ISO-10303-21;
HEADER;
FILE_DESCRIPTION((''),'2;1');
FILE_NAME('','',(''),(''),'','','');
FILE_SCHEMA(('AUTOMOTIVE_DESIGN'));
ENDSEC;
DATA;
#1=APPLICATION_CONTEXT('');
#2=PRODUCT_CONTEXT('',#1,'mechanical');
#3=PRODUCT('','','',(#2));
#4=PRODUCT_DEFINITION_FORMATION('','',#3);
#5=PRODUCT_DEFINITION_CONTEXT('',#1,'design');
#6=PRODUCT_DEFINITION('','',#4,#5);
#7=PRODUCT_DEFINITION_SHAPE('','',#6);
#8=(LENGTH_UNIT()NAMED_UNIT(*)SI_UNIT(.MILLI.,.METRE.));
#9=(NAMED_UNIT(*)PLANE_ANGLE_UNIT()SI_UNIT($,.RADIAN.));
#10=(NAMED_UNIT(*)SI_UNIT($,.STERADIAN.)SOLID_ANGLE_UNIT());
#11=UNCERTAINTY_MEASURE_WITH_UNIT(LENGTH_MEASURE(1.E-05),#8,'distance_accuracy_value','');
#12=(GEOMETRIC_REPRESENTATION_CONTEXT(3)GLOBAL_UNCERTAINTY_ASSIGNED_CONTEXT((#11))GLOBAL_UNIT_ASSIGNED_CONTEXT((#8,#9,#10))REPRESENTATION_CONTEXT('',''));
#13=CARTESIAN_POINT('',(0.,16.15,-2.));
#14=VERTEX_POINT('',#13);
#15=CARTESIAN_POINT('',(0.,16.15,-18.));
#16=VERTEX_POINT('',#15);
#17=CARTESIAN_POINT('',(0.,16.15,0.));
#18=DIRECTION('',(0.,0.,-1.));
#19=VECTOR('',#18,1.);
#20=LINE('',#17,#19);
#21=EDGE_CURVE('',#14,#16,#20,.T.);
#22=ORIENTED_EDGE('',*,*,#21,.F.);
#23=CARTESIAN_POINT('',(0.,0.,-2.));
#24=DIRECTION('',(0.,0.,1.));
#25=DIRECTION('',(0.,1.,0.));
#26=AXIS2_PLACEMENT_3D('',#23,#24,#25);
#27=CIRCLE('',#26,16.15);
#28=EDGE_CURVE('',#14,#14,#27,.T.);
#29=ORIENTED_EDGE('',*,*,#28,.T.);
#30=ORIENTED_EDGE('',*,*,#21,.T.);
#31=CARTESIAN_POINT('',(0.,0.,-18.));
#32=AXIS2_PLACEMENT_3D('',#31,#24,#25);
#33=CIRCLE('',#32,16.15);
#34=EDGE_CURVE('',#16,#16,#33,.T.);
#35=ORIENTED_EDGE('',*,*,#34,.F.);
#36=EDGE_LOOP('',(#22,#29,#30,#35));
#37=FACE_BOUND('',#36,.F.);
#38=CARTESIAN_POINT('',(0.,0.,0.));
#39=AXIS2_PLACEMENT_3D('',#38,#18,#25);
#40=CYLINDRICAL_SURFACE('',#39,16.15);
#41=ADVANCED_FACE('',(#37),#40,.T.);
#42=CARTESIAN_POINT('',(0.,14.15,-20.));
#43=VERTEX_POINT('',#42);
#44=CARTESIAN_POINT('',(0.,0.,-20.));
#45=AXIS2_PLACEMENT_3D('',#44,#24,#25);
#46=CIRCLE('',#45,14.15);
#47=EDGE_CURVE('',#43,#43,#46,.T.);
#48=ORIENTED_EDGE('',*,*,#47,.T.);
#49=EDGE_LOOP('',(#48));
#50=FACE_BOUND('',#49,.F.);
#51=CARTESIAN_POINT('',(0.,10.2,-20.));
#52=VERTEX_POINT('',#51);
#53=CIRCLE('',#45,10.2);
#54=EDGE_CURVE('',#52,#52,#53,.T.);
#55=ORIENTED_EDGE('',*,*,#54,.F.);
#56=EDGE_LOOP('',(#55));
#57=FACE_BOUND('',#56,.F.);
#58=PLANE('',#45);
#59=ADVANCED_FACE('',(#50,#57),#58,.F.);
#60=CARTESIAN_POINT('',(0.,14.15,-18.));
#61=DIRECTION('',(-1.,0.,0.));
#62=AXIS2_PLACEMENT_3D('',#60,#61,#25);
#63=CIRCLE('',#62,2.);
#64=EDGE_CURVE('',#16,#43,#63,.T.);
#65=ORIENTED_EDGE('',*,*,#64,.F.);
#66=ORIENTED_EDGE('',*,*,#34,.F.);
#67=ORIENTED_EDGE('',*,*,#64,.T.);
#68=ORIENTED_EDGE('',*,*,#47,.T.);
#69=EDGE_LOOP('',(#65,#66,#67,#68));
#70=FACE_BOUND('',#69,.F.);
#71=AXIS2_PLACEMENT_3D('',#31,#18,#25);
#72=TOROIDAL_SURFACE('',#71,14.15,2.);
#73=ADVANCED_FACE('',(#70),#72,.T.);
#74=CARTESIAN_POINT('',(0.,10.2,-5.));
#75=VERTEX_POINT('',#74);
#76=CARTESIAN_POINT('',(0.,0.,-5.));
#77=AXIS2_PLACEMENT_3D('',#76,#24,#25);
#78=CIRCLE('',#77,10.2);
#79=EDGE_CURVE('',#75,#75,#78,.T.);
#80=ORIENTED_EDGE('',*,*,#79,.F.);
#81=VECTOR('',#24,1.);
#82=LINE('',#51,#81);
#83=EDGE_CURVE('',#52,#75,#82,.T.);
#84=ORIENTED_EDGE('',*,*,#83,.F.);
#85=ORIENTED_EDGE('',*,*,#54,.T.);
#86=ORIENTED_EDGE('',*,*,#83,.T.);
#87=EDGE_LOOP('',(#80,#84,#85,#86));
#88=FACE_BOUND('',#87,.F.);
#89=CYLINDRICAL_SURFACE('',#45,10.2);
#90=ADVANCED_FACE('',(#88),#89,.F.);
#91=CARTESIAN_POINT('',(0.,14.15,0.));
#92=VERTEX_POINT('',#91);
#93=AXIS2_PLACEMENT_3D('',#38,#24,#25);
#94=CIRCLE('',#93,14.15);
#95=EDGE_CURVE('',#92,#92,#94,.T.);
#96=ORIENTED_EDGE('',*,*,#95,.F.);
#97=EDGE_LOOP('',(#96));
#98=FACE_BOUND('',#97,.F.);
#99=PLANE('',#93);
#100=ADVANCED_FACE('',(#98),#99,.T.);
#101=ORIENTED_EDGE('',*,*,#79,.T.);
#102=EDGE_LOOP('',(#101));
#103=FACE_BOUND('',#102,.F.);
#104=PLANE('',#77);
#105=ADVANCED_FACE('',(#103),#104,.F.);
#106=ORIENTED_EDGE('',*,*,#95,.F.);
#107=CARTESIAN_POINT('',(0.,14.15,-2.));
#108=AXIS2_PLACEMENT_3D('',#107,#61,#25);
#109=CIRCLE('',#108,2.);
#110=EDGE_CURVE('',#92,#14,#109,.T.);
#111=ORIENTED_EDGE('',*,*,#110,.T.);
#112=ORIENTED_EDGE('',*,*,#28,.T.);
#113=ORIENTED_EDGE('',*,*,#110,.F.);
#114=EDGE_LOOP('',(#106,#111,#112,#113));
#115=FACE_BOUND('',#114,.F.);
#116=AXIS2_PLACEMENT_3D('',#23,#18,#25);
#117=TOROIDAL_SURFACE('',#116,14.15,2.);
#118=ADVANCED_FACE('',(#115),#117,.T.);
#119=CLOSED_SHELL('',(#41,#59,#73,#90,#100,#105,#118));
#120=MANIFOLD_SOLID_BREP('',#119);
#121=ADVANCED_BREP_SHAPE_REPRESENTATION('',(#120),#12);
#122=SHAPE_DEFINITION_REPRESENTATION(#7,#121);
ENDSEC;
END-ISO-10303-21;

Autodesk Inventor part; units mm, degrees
ref_plane "YZ Plane" through (0, 0, 0) normal (1, 0, 0) x (0, 1, 0)
ref_plane "XZ Plane" through (0, 0, 0) normal (0, 1, 0) x (-1, 0, 0)
ref_plane "XY Plane" through (0, 0, 0) normal (0, 0, 1) x (1, 0, 0)
sketch "Sketch1" plane through (0, 0, 0) normal (1, 0, 0) x (0, 1, 0)
  line L0 (0, 0) -> (16.15, 0)
  line L1 (16.15, 0) -> (16.15, -20)
  line L2 (16.15, -20) -> (10.2, -20)
  line L3 (10.2, -20) -> (10.2, -5)
  line L4 (10.2, -5) -> (0, -5)
  line L5 (0, -5) -> (0, 0)
  point P0 (0, -2.5)
  point P1 (16.15, -10)
  point P2 (8.075, 0)
  dimension "d0" = 16.15
  dimension "d1" = 10.2
  dimension "d2" = 20
  dimension "d3" = 5
revolve "Revolution1" add sketch "Sketch1" angle 360 about axis through (0, 0, -5) along (0, 0, 1)
fillet "Fillet1" radius 2 2 edges at (0, -16.15, 0) (0, -16.15, -20)
properties part number "Spring_Top_3DPrint"
